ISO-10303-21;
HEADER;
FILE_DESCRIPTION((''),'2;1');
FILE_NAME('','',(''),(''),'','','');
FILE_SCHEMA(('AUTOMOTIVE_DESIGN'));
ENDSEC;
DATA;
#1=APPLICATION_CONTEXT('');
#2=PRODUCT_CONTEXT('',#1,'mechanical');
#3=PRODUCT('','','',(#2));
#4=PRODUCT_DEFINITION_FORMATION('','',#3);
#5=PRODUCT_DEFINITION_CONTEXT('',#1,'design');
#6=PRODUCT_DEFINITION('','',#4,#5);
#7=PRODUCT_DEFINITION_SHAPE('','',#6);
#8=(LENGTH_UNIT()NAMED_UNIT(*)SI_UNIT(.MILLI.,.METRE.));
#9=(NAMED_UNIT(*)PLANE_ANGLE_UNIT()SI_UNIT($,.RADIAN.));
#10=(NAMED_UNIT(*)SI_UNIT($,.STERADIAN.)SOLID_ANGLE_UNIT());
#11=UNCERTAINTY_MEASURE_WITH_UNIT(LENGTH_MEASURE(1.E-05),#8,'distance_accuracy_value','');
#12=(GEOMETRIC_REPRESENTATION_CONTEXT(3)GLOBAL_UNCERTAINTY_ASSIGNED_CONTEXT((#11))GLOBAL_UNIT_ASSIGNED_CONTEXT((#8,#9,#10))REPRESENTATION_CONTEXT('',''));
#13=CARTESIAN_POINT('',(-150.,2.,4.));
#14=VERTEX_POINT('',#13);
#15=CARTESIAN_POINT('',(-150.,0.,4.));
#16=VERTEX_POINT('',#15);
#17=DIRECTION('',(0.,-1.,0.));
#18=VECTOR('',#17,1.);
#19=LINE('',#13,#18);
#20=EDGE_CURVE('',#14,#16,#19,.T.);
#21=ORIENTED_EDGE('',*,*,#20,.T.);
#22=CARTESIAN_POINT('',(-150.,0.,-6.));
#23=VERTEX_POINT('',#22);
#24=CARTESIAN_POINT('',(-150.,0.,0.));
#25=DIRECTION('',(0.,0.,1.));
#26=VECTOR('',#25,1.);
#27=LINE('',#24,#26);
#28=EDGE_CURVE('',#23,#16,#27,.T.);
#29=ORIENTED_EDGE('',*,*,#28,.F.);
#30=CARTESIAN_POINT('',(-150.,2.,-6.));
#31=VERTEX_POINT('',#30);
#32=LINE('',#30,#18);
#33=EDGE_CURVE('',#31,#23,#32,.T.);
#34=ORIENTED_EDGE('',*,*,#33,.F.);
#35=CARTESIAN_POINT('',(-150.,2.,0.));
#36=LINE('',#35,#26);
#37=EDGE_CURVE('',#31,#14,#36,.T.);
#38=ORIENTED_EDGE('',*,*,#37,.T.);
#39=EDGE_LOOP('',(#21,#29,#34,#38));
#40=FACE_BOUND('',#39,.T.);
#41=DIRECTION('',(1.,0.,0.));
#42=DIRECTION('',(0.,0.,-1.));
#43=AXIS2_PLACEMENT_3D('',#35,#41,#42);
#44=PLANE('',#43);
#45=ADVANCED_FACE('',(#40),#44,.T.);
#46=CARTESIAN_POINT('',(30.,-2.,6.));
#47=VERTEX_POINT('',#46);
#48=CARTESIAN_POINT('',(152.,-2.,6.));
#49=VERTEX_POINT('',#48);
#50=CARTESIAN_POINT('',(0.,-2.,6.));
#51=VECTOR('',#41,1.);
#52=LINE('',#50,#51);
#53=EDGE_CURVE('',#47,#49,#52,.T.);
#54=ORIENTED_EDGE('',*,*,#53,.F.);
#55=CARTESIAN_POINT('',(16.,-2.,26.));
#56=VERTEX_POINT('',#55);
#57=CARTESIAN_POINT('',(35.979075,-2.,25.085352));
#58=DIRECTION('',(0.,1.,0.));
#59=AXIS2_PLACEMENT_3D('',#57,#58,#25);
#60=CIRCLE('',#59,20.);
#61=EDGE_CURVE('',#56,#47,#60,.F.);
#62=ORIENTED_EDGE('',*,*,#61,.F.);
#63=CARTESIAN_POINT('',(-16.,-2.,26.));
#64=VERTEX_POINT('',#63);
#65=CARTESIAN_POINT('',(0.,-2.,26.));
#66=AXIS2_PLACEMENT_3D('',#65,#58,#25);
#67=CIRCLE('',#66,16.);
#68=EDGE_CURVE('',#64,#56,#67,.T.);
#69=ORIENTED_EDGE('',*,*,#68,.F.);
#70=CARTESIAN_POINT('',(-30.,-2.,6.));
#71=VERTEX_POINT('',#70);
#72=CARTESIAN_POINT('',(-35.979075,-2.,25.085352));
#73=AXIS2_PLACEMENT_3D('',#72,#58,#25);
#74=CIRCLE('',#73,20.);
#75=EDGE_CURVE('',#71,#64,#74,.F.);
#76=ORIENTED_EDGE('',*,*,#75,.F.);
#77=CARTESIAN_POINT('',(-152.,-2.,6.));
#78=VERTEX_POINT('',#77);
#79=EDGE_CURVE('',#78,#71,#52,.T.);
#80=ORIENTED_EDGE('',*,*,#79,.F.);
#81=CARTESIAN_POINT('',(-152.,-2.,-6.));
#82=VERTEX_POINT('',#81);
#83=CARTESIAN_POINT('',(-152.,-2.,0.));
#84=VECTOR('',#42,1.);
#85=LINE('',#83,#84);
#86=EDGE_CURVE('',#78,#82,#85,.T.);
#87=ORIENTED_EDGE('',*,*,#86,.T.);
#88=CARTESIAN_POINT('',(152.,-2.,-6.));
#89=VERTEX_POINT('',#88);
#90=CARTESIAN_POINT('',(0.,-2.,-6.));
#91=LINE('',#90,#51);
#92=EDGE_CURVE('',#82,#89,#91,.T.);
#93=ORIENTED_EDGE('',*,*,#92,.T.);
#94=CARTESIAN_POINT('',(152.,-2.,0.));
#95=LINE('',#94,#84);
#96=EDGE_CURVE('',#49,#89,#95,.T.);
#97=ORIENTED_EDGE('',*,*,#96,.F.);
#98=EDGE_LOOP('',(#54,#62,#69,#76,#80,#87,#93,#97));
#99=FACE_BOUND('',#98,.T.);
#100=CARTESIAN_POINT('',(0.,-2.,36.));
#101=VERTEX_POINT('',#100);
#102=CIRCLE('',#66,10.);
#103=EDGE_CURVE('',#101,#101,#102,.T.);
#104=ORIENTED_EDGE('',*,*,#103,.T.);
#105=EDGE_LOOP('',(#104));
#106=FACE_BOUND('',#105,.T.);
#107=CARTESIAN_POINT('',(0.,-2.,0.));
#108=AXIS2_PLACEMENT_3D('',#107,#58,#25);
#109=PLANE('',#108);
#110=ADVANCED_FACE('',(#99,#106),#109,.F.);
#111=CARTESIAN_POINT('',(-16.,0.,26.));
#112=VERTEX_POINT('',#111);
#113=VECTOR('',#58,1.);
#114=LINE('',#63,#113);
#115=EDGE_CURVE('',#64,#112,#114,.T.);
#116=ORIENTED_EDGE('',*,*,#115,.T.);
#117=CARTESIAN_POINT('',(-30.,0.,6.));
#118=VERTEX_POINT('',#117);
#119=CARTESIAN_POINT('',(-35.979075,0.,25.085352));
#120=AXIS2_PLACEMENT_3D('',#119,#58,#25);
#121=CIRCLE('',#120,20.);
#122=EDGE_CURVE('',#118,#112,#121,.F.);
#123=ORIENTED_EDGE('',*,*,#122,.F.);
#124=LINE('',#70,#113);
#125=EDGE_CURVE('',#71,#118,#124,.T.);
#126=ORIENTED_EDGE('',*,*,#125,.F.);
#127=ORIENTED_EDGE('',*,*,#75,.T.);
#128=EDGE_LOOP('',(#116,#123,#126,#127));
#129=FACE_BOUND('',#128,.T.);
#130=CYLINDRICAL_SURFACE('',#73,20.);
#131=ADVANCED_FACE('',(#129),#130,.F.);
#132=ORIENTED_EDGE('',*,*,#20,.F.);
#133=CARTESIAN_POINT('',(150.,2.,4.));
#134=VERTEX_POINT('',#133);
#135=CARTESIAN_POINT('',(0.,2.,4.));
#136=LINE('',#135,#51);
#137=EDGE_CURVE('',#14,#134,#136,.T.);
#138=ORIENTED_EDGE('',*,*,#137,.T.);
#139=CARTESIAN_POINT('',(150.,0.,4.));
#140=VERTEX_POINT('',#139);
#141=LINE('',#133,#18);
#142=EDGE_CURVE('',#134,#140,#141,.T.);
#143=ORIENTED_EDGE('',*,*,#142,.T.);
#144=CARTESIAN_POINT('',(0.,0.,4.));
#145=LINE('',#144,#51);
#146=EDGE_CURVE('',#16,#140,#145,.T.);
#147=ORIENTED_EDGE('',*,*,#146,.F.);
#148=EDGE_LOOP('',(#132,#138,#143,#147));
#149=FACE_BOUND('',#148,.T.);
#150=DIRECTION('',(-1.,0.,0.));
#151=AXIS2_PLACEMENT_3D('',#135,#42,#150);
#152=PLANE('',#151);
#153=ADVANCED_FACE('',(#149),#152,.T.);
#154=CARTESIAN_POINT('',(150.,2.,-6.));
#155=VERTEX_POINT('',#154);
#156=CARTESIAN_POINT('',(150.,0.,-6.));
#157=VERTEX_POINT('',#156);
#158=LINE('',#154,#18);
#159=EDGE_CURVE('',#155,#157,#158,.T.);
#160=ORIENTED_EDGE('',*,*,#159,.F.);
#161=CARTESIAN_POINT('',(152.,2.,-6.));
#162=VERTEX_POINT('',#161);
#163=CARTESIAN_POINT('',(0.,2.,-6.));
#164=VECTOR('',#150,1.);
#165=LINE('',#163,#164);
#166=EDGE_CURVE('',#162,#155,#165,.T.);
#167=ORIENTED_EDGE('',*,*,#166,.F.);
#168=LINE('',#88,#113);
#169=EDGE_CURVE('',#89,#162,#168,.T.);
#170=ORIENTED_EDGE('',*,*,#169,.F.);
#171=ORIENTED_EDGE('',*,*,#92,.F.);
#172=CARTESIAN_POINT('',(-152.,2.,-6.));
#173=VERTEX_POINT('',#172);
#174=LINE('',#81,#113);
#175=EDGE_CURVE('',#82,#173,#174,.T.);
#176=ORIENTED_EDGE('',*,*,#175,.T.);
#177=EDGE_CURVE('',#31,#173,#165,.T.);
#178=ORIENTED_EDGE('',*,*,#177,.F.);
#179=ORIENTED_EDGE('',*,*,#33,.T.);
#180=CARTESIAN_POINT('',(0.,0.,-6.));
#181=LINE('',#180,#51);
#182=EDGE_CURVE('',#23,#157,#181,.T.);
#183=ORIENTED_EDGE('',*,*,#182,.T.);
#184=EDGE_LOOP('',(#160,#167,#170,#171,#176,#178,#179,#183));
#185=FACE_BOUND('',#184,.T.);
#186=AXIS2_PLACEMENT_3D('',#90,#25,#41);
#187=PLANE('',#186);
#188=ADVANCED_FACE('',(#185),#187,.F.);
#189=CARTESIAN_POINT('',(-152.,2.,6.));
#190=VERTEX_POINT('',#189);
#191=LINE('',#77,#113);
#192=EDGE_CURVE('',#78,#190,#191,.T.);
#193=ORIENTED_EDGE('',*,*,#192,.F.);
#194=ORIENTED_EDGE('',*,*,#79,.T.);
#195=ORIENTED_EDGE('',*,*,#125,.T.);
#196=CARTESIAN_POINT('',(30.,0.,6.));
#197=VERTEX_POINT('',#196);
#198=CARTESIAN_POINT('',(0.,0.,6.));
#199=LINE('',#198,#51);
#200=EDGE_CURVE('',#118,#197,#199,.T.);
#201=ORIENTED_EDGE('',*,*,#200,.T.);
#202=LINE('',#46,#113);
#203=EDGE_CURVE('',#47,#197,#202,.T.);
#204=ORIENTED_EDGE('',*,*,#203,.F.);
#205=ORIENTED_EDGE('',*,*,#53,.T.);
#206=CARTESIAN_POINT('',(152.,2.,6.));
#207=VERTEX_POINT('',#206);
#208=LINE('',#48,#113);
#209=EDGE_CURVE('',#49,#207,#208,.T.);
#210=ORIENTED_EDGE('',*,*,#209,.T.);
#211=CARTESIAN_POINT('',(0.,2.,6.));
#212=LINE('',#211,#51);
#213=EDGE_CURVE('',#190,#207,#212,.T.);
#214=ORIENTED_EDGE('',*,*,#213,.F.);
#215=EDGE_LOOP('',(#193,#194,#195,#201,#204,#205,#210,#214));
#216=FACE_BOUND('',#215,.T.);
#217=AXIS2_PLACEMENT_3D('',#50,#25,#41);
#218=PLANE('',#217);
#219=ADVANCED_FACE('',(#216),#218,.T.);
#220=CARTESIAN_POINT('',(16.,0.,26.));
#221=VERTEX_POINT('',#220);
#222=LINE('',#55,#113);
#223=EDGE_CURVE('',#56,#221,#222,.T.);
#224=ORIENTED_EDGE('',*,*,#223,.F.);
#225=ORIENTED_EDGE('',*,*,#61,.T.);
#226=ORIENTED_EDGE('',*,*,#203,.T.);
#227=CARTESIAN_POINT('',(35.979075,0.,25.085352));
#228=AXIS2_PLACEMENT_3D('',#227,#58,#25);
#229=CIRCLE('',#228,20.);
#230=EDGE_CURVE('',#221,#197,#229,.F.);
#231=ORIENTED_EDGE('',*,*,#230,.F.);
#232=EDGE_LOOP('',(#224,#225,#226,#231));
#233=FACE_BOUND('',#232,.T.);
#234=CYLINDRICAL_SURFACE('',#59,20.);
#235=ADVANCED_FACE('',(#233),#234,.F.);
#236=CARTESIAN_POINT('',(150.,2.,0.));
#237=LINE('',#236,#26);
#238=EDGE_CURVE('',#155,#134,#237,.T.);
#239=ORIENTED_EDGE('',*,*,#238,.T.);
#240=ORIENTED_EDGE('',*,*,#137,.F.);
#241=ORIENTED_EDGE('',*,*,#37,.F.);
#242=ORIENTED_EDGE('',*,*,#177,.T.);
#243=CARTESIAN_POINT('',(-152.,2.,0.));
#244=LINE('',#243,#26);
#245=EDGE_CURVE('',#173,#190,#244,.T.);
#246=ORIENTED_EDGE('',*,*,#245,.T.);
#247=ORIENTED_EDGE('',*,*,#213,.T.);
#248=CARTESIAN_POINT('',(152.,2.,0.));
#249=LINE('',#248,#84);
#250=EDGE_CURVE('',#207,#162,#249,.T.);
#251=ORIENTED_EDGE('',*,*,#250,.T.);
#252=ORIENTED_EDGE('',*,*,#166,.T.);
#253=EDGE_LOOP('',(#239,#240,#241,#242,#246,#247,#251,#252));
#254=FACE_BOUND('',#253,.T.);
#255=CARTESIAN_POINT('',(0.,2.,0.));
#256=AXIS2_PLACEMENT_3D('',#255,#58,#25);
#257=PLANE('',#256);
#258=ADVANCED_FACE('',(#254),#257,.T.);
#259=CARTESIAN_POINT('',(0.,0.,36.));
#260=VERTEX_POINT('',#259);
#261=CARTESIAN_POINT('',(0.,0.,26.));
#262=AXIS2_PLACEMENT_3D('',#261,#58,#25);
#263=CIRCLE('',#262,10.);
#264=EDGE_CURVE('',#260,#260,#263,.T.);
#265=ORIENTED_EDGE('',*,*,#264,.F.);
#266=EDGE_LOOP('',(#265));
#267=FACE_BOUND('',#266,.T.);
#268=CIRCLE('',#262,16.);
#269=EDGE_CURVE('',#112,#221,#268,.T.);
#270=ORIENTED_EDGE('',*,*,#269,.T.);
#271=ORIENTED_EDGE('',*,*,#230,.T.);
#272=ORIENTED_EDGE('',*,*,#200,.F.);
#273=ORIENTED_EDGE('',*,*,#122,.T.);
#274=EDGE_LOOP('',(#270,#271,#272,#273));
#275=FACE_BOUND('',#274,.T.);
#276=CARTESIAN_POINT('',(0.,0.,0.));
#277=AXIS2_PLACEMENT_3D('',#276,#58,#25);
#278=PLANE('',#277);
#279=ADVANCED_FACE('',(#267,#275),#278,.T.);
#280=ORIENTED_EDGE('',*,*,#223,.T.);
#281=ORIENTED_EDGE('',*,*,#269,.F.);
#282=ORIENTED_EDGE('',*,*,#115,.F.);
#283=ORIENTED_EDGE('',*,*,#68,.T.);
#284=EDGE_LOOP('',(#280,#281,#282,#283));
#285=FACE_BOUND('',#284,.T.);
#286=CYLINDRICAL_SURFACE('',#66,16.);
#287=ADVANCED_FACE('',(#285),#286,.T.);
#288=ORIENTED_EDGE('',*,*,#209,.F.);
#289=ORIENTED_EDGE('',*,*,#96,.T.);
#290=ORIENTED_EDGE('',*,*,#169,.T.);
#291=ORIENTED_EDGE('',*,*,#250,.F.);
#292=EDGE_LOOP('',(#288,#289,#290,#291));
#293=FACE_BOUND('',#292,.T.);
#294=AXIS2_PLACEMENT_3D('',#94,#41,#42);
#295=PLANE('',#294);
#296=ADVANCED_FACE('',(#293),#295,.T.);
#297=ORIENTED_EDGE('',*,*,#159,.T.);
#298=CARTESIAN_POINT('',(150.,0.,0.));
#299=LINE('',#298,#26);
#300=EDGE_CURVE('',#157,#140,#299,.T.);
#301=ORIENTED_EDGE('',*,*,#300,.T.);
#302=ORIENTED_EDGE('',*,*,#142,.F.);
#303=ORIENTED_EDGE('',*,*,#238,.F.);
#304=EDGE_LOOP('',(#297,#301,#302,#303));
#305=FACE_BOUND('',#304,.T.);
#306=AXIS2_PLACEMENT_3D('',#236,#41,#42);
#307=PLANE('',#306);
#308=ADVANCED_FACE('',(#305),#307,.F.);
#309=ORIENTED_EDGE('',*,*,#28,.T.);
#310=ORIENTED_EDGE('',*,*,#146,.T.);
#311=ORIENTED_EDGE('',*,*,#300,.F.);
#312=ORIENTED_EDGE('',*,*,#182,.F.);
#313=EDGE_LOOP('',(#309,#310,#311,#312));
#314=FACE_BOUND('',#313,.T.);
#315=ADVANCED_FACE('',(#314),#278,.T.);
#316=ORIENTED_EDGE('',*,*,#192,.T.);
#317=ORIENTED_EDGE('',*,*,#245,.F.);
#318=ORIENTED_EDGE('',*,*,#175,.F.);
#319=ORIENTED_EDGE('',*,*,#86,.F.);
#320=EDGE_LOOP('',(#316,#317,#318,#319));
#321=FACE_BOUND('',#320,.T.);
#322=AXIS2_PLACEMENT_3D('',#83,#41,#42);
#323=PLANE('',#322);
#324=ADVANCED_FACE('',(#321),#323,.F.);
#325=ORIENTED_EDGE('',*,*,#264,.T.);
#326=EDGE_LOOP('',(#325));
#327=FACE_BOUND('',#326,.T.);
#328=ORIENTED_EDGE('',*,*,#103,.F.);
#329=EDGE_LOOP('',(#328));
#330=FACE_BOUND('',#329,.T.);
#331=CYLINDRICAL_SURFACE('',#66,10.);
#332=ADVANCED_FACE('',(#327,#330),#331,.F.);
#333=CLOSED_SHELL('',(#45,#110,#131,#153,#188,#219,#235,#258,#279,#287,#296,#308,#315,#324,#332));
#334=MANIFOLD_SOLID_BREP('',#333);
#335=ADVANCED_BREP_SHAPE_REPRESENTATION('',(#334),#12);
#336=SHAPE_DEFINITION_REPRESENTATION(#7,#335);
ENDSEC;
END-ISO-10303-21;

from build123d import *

# Parameters (mm, degrees)
SKETCH2_W           = 304
SKETCH2_H           = 12
SKETCH2_R           = 10
BOSS_EXTRUDE2_DEPTH = 2
SKETCH4_W           = 2
SKETCH4_H           = 10
SKETCH4_H_2         = 2
BOSS_EXTRUDE4_DEPTH = 2


with BuildPart() as part:
    # Sketch2 → Boss-Extrude2 (new body)
    # profile 1 of 3: a face of its own
    with BuildSketch(Plane(origin=(0, 0, 0), x_dir=(1, 0, 0), z_dir=(0, 1, 0))):
        Rectangle(SKETCH2_W, SKETCH2_H)
    # profile 2 of 3: a face of its own
    with BuildSketch(Plane(origin=(0, 0, 0), x_dir=(1, 0, 0), z_dir=(0, 1, 0))):
        with BuildLine():
            Line((30, -6), (-30, -6))
            ThreePointArc((-30, -6), (-19.831001195, -13.285363729), (-15.97933301, -25.187032248))
            ThreePointArc((-15.97933301, -25.187032248), (0, -10), (15.97933301, -25.187032248))
            ThreePointArc((15.97933301, -25.187032248), (19.831001195, -13.285363729), (30, -6))
        make_face()
    # profile 3 of 3: a face of its own
    with BuildSketch(Plane(origin=(0, 0, 0), x_dir=(1, 0, 0), z_dir=(0, 1, 0))):
        with BuildLine():
            ThreePointArc((15.97933301, -25.187032248), (0, -10), (-15.97933301, -25.187032248))
            ThreePointArc((-15.97933301, -25.187032248), (-15.985534015, -25.593621179), (-16, -26))
            ThreePointArc((-16, -26), (0, -42), (16, -26))
            ThreePointArc((16, -26), (15.985534015, -25.593621179), (15.97933301, -25.187032248))
        make_face()
        with Locations(Location((0, -26, 0), (0, 0, 270))):
            Circle(SKETCH2_R, mode=Mode.SUBTRACT)
    extrude(amount=-BOSS_EXTRUDE2_DEPTH)

    # Sketch4 → Boss-Extrude4 (add)
    with BuildSketch(Plane(origin=(0, 0, 0), x_dir=(1, 0, 0), z_dir=(0, 1, 0))):
        with Locations((-151, 1)):
            Rectangle(SKETCH4_W, SKETCH4_H)
        with Locations((-151, -5)):
            Rectangle(SKETCH4_W, SKETCH4_H_2)
        Polygon((0, -4), (-150, -4), (-150, -6), (-30, -6), (0, -6), align=None)
        Polygon((150, -4), (0, -4), (0, -6), (30, -6), (150, -6), align=None)
        with Locations((151, -5)):
            Rectangle(SKETCH4_W, SKETCH4_H_2)
        with Locations((151, 1)):
            Rectangle(SKETCH4_W, SKETCH4_H)
    extrude(amount=BOSS_EXTRUDE4_DEPTH)


solid = part.part
